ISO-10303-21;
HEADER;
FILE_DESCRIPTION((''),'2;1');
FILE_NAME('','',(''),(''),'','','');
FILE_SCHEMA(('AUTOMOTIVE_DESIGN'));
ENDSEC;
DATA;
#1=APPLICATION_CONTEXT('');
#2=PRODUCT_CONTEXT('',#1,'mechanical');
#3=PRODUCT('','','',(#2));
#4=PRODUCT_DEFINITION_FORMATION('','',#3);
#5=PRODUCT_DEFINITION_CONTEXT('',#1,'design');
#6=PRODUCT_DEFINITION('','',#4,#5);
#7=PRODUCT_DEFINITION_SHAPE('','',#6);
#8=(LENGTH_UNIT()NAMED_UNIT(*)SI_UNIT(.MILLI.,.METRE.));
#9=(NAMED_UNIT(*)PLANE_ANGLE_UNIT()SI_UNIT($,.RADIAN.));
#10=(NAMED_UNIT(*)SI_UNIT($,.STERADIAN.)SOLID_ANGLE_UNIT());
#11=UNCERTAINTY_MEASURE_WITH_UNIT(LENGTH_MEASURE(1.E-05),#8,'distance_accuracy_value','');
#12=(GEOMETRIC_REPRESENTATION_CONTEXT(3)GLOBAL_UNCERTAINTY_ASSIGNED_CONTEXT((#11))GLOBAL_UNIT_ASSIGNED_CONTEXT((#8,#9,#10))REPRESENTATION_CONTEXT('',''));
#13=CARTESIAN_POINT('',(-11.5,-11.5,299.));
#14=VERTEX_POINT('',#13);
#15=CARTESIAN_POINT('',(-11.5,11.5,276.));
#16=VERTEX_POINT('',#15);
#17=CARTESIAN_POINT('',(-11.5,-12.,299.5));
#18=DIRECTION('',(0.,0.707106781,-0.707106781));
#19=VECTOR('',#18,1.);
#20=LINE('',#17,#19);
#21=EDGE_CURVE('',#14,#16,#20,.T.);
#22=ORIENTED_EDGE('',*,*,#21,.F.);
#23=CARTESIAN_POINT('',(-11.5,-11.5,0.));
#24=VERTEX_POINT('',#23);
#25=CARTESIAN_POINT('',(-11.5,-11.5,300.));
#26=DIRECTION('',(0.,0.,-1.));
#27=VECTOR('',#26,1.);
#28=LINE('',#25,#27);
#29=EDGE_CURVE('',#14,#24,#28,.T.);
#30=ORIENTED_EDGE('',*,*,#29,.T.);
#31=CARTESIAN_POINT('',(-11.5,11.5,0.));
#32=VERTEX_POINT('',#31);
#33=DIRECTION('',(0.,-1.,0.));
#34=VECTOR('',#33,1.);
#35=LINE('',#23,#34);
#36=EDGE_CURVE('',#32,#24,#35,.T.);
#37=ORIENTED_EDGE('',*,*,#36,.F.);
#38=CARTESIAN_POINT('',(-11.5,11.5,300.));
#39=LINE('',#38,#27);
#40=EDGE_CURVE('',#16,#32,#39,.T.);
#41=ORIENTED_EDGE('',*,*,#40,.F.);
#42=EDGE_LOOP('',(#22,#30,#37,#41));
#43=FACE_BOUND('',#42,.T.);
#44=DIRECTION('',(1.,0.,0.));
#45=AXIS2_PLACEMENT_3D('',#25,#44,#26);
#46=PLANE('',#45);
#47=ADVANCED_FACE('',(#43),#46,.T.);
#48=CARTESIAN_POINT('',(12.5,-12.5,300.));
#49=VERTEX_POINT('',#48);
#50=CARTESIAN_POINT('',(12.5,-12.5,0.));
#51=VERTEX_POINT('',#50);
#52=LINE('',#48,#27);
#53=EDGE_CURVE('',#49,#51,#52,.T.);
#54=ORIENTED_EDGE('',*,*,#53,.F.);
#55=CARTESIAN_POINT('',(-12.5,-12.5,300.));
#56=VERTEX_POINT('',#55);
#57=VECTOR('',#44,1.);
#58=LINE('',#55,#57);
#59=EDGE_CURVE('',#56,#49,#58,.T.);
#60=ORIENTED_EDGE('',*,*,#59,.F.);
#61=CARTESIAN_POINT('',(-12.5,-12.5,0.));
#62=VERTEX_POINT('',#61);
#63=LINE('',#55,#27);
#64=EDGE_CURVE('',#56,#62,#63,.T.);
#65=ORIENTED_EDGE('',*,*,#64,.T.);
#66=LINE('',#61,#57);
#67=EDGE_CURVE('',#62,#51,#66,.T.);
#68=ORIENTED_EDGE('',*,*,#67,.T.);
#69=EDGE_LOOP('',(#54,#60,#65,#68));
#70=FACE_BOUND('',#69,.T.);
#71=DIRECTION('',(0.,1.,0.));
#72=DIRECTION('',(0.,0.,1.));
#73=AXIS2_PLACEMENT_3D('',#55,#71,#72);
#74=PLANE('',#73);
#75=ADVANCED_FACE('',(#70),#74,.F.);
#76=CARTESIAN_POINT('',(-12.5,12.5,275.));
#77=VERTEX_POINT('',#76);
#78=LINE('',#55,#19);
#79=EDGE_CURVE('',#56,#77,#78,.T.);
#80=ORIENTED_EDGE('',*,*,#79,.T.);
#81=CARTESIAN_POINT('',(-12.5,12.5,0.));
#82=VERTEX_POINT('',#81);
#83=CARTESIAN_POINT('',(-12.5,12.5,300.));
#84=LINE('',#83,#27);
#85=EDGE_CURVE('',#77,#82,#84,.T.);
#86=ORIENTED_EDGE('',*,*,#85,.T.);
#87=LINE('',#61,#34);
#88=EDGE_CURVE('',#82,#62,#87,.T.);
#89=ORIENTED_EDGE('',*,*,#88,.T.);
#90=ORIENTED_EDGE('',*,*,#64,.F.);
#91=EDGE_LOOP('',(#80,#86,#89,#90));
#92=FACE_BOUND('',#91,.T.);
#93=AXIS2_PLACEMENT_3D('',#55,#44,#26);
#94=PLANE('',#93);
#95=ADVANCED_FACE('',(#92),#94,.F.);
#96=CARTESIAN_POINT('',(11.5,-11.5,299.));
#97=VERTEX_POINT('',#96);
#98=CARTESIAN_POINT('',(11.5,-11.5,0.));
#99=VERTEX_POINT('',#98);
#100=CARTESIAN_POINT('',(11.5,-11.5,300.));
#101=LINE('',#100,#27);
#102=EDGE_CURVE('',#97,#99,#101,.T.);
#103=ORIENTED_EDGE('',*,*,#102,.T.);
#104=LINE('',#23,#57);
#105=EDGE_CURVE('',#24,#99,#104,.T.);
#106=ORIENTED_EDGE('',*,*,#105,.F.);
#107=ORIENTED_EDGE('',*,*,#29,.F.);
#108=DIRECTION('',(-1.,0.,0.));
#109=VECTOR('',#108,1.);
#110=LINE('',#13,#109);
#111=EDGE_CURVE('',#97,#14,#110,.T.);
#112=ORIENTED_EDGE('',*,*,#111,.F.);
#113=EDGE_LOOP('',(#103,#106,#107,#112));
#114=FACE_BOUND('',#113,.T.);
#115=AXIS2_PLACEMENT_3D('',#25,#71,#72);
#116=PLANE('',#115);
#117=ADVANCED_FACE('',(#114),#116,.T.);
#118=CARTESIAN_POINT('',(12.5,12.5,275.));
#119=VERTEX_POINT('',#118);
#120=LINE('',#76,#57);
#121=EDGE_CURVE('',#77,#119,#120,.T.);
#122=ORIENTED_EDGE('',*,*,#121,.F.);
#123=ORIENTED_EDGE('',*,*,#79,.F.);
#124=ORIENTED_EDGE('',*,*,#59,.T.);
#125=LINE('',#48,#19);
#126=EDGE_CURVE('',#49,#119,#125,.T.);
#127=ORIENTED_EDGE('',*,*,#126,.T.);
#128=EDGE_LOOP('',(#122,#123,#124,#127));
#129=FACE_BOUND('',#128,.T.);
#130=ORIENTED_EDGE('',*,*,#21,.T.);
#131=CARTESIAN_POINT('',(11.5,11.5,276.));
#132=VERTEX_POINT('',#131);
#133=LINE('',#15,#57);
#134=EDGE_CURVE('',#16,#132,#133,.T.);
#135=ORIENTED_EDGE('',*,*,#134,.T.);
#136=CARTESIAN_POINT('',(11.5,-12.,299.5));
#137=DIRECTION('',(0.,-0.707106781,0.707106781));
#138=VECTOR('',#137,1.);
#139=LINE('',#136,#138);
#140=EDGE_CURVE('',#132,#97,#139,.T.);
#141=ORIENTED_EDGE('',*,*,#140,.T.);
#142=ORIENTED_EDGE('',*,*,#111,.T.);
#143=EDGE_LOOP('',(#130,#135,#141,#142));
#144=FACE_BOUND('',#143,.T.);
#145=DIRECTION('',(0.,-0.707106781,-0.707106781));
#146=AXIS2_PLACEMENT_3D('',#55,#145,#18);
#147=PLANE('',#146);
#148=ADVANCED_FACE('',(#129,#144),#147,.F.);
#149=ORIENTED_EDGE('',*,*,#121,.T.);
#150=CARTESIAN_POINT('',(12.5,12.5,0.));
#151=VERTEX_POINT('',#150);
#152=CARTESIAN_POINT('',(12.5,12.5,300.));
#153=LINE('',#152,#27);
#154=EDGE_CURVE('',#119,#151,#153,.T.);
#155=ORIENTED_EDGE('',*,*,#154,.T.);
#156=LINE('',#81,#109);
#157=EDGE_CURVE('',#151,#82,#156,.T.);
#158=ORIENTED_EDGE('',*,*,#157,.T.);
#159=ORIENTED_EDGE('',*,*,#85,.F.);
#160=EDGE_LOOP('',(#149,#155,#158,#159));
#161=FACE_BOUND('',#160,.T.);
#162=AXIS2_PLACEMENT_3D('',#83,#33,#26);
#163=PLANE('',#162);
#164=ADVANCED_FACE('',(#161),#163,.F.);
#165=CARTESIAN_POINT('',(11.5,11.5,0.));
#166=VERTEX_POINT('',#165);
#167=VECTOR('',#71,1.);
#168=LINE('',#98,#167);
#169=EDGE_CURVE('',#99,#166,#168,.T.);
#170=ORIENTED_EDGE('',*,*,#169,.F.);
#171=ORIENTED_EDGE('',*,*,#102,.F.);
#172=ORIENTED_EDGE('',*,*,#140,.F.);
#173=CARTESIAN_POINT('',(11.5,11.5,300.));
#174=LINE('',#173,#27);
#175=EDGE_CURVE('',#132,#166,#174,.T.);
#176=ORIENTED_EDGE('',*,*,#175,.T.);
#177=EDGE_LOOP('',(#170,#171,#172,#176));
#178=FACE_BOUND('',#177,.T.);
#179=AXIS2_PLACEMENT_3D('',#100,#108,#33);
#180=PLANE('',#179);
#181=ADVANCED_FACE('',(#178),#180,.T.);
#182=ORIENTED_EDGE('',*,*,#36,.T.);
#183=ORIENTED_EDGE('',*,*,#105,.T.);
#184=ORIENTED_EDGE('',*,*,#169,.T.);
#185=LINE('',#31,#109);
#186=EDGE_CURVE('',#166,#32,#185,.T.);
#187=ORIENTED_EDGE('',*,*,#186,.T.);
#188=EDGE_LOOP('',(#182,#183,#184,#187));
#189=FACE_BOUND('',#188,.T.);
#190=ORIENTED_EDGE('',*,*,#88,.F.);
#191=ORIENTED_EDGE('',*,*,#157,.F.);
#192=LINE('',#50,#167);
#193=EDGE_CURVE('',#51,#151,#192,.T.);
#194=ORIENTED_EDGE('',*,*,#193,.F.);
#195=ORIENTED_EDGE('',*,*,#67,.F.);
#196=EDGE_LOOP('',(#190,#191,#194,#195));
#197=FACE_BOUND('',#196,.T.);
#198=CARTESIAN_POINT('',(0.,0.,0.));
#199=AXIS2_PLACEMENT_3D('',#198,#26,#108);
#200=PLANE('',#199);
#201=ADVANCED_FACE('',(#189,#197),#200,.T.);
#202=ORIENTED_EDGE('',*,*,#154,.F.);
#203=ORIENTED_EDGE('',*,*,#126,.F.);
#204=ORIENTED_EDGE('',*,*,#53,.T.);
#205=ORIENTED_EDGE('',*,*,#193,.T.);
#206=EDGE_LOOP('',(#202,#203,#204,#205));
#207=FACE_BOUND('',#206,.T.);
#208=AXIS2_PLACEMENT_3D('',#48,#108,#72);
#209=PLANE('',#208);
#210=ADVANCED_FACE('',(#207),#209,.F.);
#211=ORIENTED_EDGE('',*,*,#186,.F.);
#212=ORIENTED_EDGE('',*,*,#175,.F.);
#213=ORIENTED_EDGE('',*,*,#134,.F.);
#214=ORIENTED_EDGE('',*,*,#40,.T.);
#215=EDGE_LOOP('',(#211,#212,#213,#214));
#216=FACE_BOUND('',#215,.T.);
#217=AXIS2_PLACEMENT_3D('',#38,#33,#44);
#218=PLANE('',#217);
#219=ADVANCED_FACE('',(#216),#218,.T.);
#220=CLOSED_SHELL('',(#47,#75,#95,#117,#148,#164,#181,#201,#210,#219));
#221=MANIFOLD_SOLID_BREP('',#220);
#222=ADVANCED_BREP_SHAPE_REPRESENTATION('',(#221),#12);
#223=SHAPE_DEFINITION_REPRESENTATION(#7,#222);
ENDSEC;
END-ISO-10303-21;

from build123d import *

# Parameters (mm, degrees)
SKETCH1_W           = 25
SKETCH1_H           = 25
SKETCH1_W_2         = 23
SKETCH1_H_2         = 23
BOSS_EXTRUDE1_DEPTH = 300
CUT_EXTRUDE1_DEPTH  = 302.29926983


with BuildPart() as part:
    # Sketch1 → Boss-Extrude1 (new body)
    with BuildSketch(Plane.XY):
        Rectangle(SKETCH1_W, SKETCH1_H)
        Rectangle(SKETCH1_W_2, SKETCH1_H_2, mode=Mode.SUBTRACT)
    extrude(amount=BOSS_EXTRUDE1_DEPTH)

    # Sketch2 → Cut-Extrude1 (cut, through all)
    with BuildSketch(Plane(origin=(12.5, 0, 0), x_dir=(0, 0, -1), z_dir=(1, 0, 0))):
        Polygon((-300, -12.5), (-275, 12.5), (-300, 12.5), align=None)
    extrude(amount=-CUT_EXTRUDE1_DEPTH, mode=Mode.SUBTRACT)


solid = part.part
